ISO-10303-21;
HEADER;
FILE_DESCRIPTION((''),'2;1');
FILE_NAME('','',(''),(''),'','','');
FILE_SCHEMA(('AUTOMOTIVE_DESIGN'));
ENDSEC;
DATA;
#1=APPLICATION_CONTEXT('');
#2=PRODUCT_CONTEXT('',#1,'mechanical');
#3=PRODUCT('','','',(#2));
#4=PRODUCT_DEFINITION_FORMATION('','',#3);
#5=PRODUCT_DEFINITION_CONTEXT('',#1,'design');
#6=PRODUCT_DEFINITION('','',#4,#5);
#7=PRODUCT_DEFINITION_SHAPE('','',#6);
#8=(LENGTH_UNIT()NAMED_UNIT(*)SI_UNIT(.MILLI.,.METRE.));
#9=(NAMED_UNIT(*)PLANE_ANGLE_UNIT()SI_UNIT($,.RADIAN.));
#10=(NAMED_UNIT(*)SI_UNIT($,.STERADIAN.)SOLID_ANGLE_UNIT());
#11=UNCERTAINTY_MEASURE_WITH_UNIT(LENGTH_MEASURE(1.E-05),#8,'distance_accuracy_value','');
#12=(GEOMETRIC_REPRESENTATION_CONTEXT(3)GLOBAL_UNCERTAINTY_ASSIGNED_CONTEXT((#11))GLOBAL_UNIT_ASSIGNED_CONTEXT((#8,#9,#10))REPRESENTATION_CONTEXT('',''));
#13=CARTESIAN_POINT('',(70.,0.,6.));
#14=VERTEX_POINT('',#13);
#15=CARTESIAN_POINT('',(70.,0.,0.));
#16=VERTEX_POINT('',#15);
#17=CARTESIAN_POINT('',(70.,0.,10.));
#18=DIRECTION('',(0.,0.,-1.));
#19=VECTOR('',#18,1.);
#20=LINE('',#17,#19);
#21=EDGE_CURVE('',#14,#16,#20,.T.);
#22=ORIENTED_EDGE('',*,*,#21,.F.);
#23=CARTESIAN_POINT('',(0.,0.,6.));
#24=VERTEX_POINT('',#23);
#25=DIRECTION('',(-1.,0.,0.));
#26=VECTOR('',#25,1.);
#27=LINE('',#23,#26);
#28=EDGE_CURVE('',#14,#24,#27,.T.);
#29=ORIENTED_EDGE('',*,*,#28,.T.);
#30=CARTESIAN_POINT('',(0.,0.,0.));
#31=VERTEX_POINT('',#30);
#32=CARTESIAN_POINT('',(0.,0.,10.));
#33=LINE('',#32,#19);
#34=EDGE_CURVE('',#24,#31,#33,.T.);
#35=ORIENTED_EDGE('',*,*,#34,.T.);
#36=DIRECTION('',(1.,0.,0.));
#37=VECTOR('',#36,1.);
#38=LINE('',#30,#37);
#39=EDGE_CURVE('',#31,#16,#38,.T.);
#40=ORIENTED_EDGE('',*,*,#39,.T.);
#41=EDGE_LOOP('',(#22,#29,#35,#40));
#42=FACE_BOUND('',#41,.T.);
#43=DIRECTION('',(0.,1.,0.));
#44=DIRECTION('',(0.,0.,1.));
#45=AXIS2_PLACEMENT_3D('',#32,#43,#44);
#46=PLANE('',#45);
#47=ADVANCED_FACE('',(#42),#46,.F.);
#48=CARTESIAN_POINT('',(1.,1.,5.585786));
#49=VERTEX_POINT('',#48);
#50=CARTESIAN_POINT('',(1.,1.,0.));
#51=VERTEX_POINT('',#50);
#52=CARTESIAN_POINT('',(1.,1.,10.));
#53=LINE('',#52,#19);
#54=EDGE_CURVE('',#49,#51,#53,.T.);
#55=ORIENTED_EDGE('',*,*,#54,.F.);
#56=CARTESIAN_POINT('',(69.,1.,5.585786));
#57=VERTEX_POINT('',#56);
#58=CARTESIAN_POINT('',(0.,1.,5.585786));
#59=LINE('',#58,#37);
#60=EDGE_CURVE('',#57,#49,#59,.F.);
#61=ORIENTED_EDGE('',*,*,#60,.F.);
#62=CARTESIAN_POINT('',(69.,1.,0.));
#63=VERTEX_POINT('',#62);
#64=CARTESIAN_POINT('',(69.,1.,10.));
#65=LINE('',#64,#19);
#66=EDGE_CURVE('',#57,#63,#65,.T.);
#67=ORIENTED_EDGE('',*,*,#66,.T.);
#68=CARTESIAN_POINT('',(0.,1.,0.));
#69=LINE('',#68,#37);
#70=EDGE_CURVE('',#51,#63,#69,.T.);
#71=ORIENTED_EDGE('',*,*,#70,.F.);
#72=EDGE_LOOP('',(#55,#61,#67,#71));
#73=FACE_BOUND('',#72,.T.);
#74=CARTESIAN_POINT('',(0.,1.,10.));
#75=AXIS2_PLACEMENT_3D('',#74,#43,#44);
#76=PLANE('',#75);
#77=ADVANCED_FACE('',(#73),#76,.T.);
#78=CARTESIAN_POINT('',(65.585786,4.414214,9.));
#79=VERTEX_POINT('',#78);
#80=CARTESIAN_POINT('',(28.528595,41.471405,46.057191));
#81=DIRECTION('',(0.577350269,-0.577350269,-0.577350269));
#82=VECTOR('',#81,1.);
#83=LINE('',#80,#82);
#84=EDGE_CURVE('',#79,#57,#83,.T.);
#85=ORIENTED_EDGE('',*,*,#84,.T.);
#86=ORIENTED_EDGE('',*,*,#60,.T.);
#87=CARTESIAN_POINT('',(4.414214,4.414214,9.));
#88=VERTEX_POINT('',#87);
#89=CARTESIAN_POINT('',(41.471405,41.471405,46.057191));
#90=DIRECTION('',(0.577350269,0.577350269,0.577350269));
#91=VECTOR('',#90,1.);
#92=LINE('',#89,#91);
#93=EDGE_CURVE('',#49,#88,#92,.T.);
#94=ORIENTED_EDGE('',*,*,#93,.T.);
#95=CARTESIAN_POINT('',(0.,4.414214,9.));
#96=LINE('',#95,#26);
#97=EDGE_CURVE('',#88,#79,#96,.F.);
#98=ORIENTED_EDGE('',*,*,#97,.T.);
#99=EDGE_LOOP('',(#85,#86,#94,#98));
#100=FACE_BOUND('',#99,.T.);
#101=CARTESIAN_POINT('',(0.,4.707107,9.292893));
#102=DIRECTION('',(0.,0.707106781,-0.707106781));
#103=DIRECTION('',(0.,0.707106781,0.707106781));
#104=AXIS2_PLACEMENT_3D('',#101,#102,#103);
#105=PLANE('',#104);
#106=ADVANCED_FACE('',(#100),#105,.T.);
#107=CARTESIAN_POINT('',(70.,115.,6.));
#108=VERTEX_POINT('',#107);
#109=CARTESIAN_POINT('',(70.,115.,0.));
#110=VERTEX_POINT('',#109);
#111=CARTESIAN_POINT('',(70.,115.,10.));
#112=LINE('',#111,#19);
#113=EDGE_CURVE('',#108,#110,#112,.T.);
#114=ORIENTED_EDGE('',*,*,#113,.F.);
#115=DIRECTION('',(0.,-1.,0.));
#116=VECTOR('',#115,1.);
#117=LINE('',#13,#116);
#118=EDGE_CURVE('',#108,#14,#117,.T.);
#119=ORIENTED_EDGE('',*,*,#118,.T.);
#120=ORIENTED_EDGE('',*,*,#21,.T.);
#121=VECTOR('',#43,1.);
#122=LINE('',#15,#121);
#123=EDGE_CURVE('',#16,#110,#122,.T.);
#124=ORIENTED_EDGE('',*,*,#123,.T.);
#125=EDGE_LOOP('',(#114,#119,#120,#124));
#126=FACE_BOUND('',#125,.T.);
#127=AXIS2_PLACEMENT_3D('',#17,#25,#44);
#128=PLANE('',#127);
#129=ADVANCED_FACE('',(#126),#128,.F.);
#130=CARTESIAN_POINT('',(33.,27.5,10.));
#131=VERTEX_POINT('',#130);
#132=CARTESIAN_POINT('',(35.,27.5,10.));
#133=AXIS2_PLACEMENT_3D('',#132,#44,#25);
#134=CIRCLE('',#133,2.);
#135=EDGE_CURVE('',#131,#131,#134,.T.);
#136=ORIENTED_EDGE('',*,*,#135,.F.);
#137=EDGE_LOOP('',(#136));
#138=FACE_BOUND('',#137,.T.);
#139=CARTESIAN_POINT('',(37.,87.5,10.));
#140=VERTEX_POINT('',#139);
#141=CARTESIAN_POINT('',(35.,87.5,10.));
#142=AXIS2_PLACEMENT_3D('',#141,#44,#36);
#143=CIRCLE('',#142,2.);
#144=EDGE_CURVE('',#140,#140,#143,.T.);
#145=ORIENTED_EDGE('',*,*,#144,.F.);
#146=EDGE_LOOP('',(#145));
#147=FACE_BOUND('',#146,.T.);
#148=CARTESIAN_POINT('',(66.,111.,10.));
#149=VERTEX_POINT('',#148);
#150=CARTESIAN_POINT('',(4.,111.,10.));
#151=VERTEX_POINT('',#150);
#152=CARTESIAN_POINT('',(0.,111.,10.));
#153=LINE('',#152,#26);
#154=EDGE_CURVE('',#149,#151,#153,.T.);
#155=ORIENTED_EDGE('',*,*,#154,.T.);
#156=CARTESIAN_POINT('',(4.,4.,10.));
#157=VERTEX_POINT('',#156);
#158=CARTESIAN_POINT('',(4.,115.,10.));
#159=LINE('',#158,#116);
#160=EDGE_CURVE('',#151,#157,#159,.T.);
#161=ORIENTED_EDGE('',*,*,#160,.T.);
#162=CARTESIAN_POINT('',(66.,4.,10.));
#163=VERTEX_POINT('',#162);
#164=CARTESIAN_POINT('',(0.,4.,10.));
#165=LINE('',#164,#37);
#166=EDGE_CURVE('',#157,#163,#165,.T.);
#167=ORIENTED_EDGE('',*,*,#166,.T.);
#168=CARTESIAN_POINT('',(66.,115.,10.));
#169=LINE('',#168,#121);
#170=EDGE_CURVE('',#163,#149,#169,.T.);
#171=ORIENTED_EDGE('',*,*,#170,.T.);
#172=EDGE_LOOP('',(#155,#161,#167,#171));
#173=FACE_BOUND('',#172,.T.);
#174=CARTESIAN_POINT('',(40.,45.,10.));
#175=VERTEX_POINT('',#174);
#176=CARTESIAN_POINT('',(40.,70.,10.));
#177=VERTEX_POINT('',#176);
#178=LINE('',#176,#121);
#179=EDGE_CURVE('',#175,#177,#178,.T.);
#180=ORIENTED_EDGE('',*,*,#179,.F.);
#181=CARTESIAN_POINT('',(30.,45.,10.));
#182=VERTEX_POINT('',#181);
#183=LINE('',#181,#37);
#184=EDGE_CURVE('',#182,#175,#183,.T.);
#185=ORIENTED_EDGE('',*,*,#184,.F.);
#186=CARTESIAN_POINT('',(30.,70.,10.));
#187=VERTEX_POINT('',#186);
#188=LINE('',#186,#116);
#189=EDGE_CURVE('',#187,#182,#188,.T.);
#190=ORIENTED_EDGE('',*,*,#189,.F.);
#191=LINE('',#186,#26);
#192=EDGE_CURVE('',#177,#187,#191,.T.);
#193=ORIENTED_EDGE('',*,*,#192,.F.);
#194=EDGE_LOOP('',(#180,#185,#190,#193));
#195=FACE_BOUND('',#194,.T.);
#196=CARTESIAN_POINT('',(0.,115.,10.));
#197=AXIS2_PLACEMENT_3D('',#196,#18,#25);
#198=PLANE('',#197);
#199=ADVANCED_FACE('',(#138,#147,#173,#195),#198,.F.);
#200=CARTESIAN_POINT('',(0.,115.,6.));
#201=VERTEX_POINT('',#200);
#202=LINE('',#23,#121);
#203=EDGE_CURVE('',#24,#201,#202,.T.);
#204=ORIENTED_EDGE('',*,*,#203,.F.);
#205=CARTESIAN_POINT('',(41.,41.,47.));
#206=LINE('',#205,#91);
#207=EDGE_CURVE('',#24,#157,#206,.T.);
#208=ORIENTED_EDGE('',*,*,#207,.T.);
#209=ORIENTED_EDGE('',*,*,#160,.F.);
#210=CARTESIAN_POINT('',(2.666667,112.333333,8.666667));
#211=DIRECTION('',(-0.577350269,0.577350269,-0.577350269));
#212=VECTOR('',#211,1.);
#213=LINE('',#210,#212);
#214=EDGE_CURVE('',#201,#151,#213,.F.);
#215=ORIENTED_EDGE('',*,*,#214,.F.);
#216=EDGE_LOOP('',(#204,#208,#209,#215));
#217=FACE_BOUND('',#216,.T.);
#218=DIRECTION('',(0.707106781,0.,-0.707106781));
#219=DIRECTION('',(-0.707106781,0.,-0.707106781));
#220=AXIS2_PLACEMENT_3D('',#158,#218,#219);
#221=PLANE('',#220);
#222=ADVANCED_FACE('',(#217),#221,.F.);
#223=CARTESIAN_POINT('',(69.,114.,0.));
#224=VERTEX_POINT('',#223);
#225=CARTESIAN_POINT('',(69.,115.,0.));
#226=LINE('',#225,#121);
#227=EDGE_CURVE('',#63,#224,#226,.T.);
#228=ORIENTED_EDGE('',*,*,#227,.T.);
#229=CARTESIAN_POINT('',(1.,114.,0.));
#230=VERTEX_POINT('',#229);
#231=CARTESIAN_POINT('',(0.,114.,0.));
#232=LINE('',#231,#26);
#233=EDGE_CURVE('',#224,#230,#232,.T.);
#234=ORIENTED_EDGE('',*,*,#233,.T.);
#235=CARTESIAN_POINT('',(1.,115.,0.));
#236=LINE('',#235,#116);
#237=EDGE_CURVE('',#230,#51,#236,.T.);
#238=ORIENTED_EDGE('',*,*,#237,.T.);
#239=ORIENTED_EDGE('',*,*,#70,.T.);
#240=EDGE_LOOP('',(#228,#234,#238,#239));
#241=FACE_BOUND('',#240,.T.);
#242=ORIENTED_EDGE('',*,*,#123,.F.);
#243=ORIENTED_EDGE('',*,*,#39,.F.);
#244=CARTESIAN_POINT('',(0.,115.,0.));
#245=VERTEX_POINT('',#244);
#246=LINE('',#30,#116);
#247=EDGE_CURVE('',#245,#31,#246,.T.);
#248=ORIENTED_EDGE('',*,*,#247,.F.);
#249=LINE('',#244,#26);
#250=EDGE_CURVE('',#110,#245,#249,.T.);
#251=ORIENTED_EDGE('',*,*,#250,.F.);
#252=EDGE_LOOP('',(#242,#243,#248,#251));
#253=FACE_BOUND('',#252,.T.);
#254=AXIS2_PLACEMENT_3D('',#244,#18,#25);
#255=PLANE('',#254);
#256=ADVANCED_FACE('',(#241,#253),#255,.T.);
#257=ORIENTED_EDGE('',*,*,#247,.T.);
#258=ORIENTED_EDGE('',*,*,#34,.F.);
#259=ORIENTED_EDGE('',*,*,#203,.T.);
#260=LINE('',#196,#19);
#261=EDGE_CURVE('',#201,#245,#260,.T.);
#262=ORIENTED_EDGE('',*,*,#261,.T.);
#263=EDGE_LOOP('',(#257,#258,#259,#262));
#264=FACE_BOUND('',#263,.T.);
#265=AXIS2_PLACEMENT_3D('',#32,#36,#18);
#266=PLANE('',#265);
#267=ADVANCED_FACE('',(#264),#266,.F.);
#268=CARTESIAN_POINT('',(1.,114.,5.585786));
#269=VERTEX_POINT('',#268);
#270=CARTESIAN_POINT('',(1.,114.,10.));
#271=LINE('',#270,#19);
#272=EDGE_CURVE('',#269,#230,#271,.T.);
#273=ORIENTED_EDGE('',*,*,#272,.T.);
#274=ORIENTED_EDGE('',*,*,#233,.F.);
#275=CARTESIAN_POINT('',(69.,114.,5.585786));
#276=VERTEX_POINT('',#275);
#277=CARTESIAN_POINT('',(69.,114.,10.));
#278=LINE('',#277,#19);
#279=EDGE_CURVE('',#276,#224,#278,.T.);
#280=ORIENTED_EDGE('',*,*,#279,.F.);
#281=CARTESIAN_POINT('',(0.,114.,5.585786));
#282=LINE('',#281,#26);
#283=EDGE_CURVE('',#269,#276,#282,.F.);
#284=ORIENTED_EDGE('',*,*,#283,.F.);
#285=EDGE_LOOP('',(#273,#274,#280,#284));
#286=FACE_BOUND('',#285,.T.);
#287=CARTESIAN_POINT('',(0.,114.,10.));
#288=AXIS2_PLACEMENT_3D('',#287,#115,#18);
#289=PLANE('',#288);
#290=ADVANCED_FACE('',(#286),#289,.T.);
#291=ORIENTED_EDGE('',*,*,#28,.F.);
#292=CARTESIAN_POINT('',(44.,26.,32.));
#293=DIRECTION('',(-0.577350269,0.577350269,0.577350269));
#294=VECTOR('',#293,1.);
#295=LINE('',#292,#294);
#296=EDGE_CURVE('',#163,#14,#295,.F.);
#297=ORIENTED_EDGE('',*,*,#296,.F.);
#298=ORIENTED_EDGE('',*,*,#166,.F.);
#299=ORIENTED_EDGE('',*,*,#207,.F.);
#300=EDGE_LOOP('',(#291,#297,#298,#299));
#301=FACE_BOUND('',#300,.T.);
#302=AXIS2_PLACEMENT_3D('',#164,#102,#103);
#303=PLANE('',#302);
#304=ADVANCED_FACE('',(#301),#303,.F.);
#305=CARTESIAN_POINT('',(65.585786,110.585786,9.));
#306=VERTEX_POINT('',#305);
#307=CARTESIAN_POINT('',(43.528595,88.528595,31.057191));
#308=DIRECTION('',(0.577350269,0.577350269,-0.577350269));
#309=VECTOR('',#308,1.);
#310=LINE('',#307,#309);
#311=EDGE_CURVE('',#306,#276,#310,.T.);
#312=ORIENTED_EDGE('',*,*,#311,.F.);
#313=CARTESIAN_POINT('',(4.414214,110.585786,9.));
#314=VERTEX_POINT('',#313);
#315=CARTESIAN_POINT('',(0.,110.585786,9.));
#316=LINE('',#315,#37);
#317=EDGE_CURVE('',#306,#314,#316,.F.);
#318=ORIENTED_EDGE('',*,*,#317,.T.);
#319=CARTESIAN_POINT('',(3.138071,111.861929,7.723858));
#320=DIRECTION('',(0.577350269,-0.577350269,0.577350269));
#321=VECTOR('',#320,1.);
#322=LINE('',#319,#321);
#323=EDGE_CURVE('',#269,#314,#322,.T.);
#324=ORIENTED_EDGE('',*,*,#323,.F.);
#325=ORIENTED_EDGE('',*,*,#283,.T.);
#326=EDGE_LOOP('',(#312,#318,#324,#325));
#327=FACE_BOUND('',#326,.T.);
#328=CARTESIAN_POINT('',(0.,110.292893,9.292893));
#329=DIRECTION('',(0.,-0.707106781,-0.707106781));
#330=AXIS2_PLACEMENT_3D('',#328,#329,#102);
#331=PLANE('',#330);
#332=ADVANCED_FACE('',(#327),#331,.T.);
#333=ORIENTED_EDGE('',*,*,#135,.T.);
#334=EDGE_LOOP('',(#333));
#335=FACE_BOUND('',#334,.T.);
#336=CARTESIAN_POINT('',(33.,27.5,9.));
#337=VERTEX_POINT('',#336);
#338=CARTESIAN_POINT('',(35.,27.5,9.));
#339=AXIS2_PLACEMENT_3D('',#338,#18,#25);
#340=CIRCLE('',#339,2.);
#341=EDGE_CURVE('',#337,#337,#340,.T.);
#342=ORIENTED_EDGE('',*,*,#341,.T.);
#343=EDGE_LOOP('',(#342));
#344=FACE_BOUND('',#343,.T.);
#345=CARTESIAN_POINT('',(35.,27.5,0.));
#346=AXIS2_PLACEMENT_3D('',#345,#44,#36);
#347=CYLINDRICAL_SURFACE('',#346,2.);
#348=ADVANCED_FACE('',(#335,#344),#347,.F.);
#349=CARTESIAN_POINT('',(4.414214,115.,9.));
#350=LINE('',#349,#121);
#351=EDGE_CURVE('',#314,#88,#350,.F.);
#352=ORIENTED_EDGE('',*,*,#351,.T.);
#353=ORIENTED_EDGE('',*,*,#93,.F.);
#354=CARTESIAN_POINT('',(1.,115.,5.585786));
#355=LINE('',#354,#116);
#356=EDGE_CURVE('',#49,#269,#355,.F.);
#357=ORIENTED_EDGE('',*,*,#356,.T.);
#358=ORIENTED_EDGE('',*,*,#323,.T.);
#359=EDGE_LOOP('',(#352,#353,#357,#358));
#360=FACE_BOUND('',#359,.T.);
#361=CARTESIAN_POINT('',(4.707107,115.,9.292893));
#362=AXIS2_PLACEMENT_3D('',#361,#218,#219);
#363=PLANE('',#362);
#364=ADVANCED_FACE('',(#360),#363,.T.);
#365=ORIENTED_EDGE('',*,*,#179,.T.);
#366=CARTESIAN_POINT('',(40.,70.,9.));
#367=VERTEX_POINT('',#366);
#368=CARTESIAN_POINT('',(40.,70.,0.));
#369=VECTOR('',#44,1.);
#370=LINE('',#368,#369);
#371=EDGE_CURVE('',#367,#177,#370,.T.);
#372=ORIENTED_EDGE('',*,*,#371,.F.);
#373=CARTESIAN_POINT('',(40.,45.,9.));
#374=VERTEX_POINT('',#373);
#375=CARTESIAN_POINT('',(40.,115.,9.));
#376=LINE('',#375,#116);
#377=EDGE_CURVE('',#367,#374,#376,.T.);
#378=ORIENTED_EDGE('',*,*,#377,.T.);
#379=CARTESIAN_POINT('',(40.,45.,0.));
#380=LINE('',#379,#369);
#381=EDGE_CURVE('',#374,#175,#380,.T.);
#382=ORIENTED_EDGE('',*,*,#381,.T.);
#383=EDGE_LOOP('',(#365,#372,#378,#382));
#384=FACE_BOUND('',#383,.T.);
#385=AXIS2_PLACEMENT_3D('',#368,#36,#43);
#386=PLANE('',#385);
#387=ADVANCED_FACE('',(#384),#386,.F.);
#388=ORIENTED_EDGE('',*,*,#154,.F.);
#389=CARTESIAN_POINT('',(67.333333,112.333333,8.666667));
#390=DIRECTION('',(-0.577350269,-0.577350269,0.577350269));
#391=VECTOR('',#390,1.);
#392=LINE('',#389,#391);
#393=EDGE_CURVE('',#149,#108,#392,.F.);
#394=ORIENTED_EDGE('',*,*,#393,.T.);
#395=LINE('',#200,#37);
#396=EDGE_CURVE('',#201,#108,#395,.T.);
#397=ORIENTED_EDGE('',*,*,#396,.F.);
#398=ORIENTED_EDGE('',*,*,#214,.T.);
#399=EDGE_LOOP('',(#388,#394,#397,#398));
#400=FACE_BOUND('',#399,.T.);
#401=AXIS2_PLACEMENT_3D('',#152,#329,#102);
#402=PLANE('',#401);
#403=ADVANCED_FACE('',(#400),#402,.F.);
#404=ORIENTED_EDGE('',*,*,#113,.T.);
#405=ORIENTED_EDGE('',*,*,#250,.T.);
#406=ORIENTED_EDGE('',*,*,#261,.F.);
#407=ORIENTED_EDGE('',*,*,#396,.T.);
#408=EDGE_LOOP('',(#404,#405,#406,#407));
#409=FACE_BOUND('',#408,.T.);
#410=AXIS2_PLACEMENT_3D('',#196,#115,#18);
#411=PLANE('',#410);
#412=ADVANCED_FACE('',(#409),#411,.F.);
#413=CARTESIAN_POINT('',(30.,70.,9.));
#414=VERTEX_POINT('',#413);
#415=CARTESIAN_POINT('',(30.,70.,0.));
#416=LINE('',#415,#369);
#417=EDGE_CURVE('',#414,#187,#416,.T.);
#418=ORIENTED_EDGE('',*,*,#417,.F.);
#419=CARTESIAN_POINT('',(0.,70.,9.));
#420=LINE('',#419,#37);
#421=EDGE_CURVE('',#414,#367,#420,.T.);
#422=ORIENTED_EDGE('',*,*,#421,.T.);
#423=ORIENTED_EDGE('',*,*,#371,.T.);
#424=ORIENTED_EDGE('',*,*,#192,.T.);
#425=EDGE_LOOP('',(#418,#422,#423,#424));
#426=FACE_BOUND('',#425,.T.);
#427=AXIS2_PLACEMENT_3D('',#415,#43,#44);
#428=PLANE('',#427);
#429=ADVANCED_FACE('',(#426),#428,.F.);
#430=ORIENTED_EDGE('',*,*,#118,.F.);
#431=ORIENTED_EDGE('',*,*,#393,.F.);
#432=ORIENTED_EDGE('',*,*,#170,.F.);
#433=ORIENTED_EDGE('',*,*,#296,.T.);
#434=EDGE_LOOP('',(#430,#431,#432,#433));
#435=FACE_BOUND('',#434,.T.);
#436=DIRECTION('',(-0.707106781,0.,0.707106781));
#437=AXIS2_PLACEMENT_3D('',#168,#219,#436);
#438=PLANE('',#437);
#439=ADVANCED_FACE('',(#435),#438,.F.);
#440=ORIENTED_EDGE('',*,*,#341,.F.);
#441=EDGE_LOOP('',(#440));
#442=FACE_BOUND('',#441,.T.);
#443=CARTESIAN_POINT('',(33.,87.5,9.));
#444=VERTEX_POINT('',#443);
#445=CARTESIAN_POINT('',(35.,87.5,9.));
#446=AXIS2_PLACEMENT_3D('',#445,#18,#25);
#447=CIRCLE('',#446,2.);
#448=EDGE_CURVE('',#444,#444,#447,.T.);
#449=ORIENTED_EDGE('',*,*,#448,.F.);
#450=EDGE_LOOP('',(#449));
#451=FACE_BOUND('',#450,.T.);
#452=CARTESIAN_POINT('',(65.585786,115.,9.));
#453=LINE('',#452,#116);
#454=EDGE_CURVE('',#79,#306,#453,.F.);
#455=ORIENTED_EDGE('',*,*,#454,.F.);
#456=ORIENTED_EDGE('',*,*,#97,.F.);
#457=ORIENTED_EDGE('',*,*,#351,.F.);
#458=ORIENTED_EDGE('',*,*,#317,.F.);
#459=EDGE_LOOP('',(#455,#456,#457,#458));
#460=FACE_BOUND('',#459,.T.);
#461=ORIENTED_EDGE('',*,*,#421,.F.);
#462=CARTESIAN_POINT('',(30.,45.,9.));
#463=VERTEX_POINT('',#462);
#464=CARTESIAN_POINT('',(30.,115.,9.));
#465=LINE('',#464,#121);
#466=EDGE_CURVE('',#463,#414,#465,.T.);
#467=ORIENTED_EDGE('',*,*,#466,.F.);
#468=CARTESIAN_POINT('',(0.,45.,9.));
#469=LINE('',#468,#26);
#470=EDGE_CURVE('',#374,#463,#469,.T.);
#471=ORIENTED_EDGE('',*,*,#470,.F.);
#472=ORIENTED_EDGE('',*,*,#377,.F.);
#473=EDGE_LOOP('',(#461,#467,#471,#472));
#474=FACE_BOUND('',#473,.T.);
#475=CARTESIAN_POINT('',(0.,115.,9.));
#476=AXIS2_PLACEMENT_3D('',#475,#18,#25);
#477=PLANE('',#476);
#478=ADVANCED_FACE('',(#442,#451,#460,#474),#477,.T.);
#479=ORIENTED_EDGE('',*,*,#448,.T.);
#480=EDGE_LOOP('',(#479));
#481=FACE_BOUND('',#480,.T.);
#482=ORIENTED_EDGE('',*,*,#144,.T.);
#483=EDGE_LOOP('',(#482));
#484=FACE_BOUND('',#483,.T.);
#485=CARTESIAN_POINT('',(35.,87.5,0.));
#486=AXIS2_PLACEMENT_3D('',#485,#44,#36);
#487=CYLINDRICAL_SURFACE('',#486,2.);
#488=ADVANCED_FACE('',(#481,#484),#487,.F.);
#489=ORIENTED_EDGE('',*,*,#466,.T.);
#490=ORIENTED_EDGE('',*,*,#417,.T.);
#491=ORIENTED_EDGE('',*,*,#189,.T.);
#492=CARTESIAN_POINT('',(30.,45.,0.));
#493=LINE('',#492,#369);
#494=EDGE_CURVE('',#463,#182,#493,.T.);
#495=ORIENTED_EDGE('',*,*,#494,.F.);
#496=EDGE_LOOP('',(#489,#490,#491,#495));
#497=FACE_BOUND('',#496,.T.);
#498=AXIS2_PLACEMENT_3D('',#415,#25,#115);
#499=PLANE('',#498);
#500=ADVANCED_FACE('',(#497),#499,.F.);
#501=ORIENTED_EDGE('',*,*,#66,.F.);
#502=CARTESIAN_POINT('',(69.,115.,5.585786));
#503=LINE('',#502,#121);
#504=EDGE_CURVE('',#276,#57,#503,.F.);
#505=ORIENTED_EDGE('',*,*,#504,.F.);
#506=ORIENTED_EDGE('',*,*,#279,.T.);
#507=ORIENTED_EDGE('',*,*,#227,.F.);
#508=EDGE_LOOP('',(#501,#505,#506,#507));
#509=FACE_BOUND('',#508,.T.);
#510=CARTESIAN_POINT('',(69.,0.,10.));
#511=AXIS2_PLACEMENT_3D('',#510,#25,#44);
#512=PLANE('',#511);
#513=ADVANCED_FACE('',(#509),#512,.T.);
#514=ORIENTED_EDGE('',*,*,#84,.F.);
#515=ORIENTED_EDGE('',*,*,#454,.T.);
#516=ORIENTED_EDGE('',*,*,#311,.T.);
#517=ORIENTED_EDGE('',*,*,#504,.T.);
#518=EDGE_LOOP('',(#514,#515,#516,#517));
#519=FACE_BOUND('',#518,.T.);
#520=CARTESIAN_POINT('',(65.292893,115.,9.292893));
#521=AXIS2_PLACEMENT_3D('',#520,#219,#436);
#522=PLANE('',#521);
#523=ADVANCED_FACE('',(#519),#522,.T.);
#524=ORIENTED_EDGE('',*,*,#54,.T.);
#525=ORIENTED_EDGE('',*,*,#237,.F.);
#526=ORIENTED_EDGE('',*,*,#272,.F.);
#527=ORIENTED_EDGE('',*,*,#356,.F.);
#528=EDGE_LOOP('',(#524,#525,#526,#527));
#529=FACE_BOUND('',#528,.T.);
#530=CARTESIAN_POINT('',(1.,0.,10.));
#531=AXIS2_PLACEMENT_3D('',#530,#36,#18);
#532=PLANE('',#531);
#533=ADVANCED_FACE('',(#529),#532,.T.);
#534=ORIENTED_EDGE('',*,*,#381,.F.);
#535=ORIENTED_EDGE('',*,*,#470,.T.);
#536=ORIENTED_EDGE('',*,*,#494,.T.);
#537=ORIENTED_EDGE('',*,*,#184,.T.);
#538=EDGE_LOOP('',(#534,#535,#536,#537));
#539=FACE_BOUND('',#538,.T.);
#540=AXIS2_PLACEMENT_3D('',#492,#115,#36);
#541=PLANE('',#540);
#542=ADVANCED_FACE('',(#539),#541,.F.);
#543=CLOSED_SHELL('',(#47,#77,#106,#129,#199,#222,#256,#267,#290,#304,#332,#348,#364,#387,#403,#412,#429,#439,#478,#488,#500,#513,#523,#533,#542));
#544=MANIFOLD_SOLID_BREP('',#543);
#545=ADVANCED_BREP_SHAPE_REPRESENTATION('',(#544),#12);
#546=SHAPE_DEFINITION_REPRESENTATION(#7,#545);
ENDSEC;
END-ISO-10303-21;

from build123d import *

# Parameters (mm, degrees)
SKICA1_W                 = 70
SKICA1_H                 = 115
VYSUNOUT1_DEPTH          = 10
ZKOSIT1_SIZE             = 4
SKO_EPINA1_T             = -1
SKICA3_R                 = 2
SKICA3_W                 = 10
SKICA3_H                 = 25
ODEBRAT_VYSUNUT_M1_DEPTH = 11


with BuildPart() as part:
    # Skica1 → Vysunout1 (new body)
    with BuildSketch(Plane.XY):
        with Locations((35, 57.5)):
            Rectangle(SKICA1_W, SKICA1_H)
    extrude(amount=VYSUNOUT1_DEPTH)

    # Zkosit1
    zkosit1_edges = [part.edges().sort_by_distance(p)[0] for p in [
        (70, 57.5, 10),
        (35, 115, 10),
        (0, 57.5, 10),
        (35, 0, 10),
    ]]
    chamfer(zkosit1_edges, length=ZKOSIT1_SIZE)

    # Skořepina1
    sko_epina1_openings = [part.faces().sort_by_distance(p)[0] for p in [
        (35, 57.5, 0),
    ]]
    offset(amount=SKO_EPINA1_T, openings=sko_epina1_openings, kind=Kind.INTERSECTION)

    # Skica3 → Odebrat vysunutím1 (cut, through all)
    with BuildSketch(Plane.XY.offset(10)):
        with Locations((35, 87.5)):
            Circle(SKICA3_R)
        with Locations((35, 27.5)):
            Circle(SKICA3_R)
        with Locations((35, 57.5)):
            Rectangle(SKICA3_W, SKICA3_H)
    extrude(amount=-ODEBRAT_VYSUNUT_M1_DEPTH, mode=Mode.SUBTRACT)


solid = part.part
